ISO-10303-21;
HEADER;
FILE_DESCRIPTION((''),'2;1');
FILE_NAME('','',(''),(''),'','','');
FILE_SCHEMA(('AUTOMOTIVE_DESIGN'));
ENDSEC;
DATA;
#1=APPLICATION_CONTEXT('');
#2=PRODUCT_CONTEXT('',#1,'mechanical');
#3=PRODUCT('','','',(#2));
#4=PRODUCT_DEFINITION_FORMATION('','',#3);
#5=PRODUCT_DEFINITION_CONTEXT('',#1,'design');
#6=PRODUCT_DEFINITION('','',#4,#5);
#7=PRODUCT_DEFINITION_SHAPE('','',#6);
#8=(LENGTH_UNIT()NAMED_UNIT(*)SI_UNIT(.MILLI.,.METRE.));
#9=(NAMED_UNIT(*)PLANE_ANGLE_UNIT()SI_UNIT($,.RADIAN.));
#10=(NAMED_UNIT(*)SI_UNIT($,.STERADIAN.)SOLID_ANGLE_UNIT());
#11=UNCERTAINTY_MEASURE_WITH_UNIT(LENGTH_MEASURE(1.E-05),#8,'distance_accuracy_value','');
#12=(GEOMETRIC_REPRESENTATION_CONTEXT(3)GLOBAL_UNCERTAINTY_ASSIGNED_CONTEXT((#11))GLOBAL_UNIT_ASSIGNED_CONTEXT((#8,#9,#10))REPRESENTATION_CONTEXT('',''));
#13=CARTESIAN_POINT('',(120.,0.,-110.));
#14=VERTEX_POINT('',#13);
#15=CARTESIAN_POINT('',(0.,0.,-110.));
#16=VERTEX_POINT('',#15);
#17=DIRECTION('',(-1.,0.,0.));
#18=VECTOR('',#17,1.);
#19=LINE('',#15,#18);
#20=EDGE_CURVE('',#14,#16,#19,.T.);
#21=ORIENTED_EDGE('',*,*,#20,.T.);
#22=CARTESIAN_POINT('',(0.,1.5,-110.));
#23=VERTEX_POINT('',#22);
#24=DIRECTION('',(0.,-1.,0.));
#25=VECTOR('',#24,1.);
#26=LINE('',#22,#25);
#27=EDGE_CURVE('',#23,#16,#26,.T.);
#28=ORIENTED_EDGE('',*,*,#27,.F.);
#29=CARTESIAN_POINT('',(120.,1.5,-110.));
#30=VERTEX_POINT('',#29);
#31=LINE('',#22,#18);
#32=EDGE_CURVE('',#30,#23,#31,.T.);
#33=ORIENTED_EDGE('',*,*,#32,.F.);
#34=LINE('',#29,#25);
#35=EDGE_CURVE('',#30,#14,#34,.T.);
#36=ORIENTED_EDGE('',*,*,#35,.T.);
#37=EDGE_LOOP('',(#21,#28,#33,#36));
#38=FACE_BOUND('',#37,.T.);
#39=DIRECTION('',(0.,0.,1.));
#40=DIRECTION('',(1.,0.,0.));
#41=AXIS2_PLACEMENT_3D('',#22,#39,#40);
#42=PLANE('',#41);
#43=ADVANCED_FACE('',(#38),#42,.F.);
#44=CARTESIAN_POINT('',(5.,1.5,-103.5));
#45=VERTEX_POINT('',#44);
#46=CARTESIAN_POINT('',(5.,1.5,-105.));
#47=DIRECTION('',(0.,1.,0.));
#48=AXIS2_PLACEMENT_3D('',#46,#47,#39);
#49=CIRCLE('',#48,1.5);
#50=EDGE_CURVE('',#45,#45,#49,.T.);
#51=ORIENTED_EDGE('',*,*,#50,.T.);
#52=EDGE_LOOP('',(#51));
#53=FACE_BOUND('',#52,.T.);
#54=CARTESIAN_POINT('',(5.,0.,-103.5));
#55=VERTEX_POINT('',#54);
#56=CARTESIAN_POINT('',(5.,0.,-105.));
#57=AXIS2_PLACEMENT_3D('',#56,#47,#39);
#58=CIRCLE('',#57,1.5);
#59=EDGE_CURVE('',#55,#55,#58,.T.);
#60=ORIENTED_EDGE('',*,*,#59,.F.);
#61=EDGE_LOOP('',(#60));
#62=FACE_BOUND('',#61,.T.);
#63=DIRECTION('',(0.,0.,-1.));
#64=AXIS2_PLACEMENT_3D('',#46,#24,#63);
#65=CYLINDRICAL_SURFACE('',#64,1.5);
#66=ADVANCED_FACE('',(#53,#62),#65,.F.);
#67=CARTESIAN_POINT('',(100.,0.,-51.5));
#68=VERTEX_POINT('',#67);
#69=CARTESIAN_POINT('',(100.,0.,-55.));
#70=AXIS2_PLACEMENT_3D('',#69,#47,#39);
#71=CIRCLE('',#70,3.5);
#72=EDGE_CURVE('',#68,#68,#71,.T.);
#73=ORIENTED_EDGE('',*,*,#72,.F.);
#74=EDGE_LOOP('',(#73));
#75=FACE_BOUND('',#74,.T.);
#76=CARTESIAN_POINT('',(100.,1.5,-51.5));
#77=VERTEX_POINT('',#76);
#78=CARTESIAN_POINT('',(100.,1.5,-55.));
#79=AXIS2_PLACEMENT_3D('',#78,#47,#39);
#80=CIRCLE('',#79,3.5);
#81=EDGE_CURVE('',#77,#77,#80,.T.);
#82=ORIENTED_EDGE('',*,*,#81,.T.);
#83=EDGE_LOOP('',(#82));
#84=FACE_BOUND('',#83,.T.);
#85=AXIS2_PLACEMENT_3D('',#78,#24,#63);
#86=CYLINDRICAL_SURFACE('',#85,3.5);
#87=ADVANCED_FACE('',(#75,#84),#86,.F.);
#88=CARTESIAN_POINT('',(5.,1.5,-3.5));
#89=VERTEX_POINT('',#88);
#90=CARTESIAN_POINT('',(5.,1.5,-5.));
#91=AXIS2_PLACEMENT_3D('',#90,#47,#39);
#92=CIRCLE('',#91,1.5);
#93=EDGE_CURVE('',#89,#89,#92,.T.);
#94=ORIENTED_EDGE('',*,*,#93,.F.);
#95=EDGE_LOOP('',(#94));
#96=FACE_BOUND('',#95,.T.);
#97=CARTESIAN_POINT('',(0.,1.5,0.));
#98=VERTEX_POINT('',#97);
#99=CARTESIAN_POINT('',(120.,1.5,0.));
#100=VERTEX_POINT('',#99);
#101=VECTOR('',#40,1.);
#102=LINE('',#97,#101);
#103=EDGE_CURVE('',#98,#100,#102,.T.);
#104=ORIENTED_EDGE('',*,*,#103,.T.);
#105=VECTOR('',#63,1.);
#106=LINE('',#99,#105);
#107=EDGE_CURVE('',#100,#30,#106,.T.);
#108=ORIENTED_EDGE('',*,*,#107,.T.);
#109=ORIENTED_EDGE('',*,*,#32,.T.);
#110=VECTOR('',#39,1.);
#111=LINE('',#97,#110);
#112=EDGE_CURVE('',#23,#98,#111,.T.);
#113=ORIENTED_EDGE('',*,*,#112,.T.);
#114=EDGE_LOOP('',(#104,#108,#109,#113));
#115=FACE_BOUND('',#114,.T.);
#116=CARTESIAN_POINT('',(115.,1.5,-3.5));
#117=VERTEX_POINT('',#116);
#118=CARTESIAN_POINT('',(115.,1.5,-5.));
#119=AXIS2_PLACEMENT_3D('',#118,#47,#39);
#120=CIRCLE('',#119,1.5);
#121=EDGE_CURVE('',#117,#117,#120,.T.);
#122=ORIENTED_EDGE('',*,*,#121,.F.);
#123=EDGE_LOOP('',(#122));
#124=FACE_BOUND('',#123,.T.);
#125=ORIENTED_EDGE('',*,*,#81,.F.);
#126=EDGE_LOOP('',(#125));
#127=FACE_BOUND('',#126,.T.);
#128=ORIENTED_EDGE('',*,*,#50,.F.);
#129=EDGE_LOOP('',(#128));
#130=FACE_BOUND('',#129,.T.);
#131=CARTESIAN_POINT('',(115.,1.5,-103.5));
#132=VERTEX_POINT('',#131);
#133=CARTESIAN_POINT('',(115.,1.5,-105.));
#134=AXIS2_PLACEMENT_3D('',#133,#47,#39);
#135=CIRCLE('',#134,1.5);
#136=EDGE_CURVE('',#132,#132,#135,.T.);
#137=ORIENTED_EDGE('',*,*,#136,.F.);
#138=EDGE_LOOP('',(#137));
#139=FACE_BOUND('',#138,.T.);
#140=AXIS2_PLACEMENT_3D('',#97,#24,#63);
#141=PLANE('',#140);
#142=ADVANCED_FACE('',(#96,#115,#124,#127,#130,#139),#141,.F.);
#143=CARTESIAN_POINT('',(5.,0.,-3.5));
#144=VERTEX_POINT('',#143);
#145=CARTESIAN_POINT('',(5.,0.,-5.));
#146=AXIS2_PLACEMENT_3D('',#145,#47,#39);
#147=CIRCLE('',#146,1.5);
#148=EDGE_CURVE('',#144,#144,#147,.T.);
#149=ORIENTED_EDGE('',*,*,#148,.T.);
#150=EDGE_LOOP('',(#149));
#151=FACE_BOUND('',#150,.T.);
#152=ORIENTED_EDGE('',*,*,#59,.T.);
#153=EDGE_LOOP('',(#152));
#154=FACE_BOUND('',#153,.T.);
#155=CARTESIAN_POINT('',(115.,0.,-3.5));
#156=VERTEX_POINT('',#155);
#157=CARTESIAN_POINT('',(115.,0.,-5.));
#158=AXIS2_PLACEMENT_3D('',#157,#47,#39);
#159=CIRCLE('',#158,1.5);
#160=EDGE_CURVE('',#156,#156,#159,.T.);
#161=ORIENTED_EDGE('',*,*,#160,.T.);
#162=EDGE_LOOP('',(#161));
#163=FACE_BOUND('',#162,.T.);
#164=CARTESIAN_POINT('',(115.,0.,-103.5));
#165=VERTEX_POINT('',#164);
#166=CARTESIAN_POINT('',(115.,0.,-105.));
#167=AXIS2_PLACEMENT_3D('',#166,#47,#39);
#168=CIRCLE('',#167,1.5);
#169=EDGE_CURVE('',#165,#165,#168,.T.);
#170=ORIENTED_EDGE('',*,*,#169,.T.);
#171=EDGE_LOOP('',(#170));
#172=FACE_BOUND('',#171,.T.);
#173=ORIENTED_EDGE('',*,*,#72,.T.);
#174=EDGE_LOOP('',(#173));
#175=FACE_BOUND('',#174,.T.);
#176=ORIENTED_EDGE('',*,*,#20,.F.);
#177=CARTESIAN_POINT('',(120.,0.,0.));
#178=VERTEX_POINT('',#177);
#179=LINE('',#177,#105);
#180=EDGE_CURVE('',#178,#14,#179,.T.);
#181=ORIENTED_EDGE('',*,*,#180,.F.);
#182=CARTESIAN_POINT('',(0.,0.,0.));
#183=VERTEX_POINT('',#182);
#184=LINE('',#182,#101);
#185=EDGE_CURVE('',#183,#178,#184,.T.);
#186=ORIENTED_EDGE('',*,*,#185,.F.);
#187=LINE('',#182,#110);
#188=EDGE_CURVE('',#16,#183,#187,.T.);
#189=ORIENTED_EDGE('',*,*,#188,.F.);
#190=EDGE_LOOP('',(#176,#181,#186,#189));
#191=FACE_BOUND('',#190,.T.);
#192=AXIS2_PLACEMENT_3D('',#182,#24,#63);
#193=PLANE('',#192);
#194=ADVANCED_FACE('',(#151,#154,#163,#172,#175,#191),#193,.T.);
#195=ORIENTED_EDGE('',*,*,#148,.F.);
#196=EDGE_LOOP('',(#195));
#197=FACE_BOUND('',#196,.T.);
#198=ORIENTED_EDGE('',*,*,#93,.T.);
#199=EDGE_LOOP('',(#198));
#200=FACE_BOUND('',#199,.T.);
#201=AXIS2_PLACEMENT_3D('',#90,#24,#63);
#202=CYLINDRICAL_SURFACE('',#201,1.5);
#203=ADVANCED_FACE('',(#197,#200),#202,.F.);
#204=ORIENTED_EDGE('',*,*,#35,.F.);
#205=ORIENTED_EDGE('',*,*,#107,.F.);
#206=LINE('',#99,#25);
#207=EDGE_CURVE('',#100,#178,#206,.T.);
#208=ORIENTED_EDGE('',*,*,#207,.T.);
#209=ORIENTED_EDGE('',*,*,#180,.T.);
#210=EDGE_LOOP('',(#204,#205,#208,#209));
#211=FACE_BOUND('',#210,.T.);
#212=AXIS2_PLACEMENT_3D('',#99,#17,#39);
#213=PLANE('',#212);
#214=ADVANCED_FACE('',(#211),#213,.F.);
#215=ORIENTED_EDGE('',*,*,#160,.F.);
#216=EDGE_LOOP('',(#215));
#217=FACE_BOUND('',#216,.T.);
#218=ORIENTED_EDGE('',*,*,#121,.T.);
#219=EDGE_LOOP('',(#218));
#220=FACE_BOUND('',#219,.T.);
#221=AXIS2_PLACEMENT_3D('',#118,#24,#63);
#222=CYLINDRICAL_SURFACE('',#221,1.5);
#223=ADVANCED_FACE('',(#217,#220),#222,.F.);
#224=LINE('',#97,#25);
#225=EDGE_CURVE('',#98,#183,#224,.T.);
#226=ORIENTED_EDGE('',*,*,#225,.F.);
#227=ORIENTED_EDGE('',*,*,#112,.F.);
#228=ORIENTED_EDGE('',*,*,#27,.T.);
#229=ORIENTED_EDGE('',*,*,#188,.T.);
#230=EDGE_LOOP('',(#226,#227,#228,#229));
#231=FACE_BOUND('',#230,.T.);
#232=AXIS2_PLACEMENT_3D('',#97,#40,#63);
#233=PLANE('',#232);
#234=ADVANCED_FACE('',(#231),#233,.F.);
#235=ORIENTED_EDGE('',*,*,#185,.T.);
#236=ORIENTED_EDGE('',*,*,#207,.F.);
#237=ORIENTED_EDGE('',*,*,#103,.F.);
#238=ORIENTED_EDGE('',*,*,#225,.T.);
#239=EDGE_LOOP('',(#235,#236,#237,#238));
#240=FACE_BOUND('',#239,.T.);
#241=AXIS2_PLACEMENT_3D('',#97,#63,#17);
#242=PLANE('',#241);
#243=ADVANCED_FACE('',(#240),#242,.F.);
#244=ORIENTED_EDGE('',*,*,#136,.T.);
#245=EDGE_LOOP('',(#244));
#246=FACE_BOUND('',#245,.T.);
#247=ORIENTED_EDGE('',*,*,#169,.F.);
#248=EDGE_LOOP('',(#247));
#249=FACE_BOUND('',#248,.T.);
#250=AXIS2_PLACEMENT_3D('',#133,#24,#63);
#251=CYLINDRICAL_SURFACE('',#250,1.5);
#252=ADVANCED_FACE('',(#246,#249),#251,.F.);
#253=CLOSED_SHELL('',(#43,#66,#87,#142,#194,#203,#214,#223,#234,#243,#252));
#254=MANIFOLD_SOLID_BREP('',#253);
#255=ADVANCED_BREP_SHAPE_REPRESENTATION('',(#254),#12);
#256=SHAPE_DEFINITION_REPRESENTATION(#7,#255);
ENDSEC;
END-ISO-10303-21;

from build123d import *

# Parameters (mm, degrees)
SKETCH1_W           = 120
SKETCH1_H           = 110
SKETCH1_R           = 3.5
SKETCH1_R_2         = 1.5
BOSS_EXTRUDE1_DEPTH = 1.5


with BuildPart() as part:
    # Sketch1 → Boss-Extrude1 (new body)
    with BuildSketch(Plane(origin=(0, 0, 0), x_dir=(1, 0, 0), z_dir=(0, 1, 0))):
        with Locations((60, 55)):
            Rectangle(SKETCH1_W, SKETCH1_H)
        with Locations(Location((100, 55, 0), (0, 0, 270))):
            Circle(SKETCH1_R, mode=Mode.SUBTRACT)
        with Locations(Location((5, 105, 0), (0, 0, 270))):
            Circle(SKETCH1_R_2, mode=Mode.SUBTRACT)
        with Locations(Location((115, 105, 0), (0, 0, 270))):
            Circle(SKETCH1_R_2, mode=Mode.SUBTRACT)
        with Locations(Location((5, 5, 0), (0, 0, 270))):
            Circle(SKETCH1_R_2, mode=Mode.SUBTRACT)
        with Locations(Location((115, 5, 0), (0, 0, 270))):
            Circle(SKETCH1_R_2, mode=Mode.SUBTRACT)
    extrude(amount=BOSS_EXTRUDE1_DEPTH)


solid = part.part
